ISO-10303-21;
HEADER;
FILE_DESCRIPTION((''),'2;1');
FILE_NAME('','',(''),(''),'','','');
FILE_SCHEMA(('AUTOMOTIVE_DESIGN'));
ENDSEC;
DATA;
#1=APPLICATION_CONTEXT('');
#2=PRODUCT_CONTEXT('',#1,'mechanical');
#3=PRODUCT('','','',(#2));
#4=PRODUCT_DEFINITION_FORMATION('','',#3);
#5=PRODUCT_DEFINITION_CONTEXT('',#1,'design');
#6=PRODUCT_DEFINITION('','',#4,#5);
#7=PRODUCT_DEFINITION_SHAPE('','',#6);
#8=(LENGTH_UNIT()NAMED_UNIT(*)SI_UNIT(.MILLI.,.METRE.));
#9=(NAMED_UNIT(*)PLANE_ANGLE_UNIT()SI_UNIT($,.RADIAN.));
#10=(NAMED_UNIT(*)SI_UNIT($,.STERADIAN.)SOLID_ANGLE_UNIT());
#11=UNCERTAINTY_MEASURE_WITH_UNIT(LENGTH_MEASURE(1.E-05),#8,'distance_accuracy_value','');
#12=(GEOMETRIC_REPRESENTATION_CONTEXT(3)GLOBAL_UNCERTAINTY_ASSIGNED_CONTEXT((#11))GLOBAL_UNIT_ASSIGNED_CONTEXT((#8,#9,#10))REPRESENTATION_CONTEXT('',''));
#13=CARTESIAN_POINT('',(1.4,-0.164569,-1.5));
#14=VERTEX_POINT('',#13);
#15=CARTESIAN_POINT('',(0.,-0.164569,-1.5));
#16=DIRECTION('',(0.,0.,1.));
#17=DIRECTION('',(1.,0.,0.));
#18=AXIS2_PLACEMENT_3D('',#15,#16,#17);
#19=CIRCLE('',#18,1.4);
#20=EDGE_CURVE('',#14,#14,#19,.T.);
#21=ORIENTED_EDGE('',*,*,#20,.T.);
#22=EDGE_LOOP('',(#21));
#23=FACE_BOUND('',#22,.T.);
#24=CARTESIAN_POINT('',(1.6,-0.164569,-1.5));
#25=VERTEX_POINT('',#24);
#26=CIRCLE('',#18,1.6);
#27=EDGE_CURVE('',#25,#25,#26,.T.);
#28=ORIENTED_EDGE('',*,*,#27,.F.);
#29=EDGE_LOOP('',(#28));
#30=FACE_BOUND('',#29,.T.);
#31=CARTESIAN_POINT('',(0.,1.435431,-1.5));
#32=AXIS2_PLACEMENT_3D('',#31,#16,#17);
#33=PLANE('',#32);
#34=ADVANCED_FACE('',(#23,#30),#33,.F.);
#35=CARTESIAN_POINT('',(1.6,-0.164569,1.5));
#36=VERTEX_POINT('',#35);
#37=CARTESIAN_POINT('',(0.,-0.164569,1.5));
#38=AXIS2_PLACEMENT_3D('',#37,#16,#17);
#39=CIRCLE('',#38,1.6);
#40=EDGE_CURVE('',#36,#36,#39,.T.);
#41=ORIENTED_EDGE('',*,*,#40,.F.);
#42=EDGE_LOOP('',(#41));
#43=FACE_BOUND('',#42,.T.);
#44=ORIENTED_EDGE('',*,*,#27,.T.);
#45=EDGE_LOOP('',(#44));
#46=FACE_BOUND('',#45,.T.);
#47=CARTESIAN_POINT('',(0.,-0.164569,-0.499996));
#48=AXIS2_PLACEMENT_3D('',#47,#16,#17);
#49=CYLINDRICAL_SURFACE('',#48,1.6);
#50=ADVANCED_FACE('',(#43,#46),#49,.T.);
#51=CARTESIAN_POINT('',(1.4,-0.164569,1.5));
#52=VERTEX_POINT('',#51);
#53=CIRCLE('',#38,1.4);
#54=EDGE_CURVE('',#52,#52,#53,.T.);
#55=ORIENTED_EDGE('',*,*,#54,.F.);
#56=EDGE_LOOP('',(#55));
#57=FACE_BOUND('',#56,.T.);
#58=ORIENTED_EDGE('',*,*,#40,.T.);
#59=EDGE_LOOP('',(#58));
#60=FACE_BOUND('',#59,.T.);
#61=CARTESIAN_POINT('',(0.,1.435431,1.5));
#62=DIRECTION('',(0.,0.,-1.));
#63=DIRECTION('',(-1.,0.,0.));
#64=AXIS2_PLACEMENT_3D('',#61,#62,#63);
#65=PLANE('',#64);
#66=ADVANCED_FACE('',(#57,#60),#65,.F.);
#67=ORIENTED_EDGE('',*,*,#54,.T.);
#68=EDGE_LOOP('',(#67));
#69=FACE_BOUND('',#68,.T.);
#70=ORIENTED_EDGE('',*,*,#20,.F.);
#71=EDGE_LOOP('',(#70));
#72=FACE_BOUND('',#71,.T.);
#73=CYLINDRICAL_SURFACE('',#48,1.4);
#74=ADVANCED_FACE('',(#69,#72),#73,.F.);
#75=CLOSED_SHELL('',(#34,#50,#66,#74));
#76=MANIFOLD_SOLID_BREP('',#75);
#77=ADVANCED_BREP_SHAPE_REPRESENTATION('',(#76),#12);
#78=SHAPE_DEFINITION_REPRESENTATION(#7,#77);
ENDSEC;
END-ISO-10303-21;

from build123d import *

# Parameters (mm, degrees)
SKETCH1_W = 3
SKETCH1_H = 0.2


with BuildPart() as part:
    # Sketch1 → Revolve1 (revolve)
    with BuildSketch(Plane(origin=(0, 0, 0), x_dir=(0, 0, -1), z_dir=(1, 0, 0)), mode=Mode.PRIVATE) as revolve1_sk:
        with Locations((0, 1.335431235)):
            Rectangle(SKETCH1_W, SKETCH1_H)
    revolve(revolve1_sk.sketch.rotate(Axis((0, -0.164568765, -0.499996), (0, 0, -1)), 90), axis=Axis((0, -0.164568765, -0.499996), (0, 0, -1)))


solid = part.part
